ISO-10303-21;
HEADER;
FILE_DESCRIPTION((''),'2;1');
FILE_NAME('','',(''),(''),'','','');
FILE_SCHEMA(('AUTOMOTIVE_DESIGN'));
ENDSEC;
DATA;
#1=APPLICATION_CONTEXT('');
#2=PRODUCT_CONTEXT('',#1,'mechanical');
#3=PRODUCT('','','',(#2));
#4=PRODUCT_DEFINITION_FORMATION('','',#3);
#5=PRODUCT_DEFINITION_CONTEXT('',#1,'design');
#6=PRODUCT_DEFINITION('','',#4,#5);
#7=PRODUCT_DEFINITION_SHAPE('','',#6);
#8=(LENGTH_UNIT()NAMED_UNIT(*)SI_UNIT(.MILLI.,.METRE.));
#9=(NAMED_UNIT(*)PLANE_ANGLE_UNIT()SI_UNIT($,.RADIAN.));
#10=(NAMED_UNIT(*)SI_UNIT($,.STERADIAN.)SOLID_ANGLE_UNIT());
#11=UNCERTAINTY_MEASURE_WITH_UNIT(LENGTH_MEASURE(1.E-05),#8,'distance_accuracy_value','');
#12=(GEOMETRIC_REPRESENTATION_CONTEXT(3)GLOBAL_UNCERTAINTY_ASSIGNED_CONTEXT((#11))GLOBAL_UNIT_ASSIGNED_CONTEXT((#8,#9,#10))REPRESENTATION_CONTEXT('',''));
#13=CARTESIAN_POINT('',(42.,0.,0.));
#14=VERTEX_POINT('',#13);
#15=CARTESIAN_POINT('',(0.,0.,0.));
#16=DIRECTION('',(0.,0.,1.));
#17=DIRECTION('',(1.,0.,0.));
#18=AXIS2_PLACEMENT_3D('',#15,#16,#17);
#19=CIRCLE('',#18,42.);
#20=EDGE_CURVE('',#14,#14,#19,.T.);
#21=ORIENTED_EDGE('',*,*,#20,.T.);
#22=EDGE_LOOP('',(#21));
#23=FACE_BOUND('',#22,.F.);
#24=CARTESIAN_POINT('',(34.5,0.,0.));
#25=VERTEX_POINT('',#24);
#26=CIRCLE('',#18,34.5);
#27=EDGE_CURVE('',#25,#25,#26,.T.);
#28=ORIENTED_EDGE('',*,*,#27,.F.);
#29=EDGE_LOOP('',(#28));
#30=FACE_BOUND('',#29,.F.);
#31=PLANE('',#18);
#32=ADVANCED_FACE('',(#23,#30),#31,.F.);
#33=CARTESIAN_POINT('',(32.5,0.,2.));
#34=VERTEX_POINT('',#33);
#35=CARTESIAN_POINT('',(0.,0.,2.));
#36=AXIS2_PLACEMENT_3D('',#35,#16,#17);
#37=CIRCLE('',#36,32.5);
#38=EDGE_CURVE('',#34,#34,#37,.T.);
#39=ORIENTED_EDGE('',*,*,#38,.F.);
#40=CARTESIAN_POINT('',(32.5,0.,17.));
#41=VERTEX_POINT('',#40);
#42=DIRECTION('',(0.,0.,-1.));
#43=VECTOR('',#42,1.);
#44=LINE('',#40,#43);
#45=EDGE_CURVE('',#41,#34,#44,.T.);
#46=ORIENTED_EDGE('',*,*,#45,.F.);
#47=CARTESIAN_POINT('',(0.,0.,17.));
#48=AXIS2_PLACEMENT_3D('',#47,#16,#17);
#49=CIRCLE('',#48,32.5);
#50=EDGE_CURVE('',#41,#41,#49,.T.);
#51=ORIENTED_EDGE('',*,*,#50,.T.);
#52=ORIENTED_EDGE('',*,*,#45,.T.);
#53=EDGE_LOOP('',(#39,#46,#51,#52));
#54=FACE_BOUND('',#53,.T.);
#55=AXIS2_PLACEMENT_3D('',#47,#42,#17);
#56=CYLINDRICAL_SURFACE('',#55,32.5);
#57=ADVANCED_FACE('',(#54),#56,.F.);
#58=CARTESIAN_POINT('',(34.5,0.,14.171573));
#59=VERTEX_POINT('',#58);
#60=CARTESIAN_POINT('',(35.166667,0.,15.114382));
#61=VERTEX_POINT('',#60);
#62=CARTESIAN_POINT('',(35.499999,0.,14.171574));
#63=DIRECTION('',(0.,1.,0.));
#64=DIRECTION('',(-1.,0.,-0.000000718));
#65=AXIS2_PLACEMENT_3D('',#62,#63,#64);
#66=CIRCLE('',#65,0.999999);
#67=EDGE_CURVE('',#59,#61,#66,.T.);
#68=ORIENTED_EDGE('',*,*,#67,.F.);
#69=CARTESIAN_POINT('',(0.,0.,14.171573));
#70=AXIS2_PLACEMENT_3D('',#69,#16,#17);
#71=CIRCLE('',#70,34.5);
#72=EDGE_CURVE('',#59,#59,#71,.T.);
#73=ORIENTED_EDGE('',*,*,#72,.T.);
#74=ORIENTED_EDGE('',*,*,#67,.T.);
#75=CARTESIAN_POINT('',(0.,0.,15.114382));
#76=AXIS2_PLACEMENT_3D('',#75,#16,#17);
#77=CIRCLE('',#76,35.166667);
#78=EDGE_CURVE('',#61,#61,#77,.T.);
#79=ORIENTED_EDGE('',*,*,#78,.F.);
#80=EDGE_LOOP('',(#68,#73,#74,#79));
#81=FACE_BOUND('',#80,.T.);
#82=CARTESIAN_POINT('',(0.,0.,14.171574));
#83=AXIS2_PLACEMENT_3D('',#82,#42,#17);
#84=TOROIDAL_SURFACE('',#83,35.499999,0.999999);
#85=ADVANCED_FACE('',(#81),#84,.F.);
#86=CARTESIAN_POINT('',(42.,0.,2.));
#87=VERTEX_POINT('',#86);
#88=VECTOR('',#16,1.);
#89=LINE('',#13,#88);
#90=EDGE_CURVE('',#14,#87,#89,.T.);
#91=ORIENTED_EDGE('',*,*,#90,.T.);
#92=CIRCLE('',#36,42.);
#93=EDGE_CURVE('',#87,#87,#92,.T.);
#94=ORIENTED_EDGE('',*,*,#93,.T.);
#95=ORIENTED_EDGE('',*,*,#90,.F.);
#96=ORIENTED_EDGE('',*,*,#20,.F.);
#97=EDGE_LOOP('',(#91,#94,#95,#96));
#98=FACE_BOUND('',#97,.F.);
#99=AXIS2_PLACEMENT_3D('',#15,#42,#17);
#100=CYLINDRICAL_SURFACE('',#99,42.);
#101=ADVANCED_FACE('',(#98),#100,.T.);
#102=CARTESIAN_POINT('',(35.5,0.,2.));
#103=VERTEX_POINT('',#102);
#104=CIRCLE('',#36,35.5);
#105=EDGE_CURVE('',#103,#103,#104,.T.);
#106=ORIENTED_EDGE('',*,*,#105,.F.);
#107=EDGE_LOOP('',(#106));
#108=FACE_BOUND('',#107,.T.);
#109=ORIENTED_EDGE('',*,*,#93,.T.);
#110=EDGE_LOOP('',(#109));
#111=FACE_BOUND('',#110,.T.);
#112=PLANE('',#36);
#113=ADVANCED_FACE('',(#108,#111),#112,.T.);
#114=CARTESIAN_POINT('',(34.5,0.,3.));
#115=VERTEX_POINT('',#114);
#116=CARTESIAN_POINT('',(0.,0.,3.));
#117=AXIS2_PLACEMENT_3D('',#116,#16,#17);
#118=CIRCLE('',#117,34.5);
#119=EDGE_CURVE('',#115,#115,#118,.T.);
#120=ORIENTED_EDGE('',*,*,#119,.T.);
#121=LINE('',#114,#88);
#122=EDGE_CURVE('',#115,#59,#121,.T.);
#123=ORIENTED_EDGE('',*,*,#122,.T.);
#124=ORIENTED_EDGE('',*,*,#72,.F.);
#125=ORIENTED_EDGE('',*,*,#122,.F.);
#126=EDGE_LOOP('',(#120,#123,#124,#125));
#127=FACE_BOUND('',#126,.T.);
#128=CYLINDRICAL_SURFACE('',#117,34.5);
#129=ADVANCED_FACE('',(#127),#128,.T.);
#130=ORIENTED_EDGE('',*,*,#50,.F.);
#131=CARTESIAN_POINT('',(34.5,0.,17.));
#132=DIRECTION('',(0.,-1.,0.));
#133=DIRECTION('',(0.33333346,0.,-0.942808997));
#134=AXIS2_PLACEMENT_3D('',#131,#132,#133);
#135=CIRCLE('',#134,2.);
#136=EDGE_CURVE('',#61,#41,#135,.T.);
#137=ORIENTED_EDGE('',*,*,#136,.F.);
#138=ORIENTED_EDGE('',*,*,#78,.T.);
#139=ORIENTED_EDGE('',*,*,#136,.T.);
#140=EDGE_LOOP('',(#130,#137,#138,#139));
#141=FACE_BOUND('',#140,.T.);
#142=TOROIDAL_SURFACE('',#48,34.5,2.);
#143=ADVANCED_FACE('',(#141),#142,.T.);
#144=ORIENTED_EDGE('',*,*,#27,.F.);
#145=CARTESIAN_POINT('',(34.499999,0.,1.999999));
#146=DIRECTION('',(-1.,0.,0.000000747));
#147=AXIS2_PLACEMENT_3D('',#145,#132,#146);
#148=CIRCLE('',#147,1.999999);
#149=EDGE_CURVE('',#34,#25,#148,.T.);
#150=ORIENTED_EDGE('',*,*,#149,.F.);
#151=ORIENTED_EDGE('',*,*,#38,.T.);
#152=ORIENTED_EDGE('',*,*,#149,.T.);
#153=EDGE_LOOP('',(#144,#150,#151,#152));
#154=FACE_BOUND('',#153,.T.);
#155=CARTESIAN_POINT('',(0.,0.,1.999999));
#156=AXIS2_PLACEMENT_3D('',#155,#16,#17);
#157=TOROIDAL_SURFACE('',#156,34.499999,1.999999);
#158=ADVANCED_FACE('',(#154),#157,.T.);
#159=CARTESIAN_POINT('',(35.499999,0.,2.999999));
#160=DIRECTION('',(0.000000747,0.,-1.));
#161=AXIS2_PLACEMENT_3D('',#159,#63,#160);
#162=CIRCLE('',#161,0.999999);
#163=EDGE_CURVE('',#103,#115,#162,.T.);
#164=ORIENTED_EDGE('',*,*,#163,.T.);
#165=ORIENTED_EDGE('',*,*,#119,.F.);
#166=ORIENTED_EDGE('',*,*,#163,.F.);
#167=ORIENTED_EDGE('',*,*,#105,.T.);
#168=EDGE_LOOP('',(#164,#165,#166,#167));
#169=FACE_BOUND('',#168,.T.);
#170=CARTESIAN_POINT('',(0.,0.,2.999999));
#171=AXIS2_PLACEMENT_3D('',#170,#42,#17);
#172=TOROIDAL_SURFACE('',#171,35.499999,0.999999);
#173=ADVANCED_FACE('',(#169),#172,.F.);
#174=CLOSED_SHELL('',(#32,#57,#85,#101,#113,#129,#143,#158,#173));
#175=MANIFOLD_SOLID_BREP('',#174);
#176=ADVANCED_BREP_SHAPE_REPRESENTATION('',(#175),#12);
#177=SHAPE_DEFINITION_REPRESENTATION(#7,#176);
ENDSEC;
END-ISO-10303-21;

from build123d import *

# Parameters (mm, degrees)
F0_R     = 42
F0_R_2   = 36.5
F1_DEPTH = 2


with BuildPart() as f1:
    # F0 (on Top) → F1 (new body)
    with BuildSketch(Plane.XY):
        Circle(F0_R)
        Circle(F0_R_2, mode=Mode.SUBTRACT)
    extrude(amount=F1_DEPTH)

    # F2 (on Front) → F3 (revolve)
    with BuildSketch(Plane.XZ):
        with BuildLine():
            Line((36.5, 0), (36.5, 2))
            Line((36.5, 2), (35.5, 2))
            ThreePointArc((35.5, 2), (34.792893, 2.292893), (34.5, 3))
            Line((34.5, 3), (34.5, 14.171573))
            ThreePointArc((34.5, 14.171573), (34.683503, 14.748923), (35.166667, 15.114382))
            ThreePointArc((35.166667, 15.114382), (35.654701, 18.632993), (32.5, 17))
            Line((32.5, 17), (32.5, 2))
            ThreePointArc((32.5, 2), (33.085786, 0.585786), (34.5, 0))
            Line((34.5, 0), (36.5, 0))
        make_face()
    revolve(axis=Axis((0, 0, 63.554913), (0, 0, 1)))


solid = f1.part
